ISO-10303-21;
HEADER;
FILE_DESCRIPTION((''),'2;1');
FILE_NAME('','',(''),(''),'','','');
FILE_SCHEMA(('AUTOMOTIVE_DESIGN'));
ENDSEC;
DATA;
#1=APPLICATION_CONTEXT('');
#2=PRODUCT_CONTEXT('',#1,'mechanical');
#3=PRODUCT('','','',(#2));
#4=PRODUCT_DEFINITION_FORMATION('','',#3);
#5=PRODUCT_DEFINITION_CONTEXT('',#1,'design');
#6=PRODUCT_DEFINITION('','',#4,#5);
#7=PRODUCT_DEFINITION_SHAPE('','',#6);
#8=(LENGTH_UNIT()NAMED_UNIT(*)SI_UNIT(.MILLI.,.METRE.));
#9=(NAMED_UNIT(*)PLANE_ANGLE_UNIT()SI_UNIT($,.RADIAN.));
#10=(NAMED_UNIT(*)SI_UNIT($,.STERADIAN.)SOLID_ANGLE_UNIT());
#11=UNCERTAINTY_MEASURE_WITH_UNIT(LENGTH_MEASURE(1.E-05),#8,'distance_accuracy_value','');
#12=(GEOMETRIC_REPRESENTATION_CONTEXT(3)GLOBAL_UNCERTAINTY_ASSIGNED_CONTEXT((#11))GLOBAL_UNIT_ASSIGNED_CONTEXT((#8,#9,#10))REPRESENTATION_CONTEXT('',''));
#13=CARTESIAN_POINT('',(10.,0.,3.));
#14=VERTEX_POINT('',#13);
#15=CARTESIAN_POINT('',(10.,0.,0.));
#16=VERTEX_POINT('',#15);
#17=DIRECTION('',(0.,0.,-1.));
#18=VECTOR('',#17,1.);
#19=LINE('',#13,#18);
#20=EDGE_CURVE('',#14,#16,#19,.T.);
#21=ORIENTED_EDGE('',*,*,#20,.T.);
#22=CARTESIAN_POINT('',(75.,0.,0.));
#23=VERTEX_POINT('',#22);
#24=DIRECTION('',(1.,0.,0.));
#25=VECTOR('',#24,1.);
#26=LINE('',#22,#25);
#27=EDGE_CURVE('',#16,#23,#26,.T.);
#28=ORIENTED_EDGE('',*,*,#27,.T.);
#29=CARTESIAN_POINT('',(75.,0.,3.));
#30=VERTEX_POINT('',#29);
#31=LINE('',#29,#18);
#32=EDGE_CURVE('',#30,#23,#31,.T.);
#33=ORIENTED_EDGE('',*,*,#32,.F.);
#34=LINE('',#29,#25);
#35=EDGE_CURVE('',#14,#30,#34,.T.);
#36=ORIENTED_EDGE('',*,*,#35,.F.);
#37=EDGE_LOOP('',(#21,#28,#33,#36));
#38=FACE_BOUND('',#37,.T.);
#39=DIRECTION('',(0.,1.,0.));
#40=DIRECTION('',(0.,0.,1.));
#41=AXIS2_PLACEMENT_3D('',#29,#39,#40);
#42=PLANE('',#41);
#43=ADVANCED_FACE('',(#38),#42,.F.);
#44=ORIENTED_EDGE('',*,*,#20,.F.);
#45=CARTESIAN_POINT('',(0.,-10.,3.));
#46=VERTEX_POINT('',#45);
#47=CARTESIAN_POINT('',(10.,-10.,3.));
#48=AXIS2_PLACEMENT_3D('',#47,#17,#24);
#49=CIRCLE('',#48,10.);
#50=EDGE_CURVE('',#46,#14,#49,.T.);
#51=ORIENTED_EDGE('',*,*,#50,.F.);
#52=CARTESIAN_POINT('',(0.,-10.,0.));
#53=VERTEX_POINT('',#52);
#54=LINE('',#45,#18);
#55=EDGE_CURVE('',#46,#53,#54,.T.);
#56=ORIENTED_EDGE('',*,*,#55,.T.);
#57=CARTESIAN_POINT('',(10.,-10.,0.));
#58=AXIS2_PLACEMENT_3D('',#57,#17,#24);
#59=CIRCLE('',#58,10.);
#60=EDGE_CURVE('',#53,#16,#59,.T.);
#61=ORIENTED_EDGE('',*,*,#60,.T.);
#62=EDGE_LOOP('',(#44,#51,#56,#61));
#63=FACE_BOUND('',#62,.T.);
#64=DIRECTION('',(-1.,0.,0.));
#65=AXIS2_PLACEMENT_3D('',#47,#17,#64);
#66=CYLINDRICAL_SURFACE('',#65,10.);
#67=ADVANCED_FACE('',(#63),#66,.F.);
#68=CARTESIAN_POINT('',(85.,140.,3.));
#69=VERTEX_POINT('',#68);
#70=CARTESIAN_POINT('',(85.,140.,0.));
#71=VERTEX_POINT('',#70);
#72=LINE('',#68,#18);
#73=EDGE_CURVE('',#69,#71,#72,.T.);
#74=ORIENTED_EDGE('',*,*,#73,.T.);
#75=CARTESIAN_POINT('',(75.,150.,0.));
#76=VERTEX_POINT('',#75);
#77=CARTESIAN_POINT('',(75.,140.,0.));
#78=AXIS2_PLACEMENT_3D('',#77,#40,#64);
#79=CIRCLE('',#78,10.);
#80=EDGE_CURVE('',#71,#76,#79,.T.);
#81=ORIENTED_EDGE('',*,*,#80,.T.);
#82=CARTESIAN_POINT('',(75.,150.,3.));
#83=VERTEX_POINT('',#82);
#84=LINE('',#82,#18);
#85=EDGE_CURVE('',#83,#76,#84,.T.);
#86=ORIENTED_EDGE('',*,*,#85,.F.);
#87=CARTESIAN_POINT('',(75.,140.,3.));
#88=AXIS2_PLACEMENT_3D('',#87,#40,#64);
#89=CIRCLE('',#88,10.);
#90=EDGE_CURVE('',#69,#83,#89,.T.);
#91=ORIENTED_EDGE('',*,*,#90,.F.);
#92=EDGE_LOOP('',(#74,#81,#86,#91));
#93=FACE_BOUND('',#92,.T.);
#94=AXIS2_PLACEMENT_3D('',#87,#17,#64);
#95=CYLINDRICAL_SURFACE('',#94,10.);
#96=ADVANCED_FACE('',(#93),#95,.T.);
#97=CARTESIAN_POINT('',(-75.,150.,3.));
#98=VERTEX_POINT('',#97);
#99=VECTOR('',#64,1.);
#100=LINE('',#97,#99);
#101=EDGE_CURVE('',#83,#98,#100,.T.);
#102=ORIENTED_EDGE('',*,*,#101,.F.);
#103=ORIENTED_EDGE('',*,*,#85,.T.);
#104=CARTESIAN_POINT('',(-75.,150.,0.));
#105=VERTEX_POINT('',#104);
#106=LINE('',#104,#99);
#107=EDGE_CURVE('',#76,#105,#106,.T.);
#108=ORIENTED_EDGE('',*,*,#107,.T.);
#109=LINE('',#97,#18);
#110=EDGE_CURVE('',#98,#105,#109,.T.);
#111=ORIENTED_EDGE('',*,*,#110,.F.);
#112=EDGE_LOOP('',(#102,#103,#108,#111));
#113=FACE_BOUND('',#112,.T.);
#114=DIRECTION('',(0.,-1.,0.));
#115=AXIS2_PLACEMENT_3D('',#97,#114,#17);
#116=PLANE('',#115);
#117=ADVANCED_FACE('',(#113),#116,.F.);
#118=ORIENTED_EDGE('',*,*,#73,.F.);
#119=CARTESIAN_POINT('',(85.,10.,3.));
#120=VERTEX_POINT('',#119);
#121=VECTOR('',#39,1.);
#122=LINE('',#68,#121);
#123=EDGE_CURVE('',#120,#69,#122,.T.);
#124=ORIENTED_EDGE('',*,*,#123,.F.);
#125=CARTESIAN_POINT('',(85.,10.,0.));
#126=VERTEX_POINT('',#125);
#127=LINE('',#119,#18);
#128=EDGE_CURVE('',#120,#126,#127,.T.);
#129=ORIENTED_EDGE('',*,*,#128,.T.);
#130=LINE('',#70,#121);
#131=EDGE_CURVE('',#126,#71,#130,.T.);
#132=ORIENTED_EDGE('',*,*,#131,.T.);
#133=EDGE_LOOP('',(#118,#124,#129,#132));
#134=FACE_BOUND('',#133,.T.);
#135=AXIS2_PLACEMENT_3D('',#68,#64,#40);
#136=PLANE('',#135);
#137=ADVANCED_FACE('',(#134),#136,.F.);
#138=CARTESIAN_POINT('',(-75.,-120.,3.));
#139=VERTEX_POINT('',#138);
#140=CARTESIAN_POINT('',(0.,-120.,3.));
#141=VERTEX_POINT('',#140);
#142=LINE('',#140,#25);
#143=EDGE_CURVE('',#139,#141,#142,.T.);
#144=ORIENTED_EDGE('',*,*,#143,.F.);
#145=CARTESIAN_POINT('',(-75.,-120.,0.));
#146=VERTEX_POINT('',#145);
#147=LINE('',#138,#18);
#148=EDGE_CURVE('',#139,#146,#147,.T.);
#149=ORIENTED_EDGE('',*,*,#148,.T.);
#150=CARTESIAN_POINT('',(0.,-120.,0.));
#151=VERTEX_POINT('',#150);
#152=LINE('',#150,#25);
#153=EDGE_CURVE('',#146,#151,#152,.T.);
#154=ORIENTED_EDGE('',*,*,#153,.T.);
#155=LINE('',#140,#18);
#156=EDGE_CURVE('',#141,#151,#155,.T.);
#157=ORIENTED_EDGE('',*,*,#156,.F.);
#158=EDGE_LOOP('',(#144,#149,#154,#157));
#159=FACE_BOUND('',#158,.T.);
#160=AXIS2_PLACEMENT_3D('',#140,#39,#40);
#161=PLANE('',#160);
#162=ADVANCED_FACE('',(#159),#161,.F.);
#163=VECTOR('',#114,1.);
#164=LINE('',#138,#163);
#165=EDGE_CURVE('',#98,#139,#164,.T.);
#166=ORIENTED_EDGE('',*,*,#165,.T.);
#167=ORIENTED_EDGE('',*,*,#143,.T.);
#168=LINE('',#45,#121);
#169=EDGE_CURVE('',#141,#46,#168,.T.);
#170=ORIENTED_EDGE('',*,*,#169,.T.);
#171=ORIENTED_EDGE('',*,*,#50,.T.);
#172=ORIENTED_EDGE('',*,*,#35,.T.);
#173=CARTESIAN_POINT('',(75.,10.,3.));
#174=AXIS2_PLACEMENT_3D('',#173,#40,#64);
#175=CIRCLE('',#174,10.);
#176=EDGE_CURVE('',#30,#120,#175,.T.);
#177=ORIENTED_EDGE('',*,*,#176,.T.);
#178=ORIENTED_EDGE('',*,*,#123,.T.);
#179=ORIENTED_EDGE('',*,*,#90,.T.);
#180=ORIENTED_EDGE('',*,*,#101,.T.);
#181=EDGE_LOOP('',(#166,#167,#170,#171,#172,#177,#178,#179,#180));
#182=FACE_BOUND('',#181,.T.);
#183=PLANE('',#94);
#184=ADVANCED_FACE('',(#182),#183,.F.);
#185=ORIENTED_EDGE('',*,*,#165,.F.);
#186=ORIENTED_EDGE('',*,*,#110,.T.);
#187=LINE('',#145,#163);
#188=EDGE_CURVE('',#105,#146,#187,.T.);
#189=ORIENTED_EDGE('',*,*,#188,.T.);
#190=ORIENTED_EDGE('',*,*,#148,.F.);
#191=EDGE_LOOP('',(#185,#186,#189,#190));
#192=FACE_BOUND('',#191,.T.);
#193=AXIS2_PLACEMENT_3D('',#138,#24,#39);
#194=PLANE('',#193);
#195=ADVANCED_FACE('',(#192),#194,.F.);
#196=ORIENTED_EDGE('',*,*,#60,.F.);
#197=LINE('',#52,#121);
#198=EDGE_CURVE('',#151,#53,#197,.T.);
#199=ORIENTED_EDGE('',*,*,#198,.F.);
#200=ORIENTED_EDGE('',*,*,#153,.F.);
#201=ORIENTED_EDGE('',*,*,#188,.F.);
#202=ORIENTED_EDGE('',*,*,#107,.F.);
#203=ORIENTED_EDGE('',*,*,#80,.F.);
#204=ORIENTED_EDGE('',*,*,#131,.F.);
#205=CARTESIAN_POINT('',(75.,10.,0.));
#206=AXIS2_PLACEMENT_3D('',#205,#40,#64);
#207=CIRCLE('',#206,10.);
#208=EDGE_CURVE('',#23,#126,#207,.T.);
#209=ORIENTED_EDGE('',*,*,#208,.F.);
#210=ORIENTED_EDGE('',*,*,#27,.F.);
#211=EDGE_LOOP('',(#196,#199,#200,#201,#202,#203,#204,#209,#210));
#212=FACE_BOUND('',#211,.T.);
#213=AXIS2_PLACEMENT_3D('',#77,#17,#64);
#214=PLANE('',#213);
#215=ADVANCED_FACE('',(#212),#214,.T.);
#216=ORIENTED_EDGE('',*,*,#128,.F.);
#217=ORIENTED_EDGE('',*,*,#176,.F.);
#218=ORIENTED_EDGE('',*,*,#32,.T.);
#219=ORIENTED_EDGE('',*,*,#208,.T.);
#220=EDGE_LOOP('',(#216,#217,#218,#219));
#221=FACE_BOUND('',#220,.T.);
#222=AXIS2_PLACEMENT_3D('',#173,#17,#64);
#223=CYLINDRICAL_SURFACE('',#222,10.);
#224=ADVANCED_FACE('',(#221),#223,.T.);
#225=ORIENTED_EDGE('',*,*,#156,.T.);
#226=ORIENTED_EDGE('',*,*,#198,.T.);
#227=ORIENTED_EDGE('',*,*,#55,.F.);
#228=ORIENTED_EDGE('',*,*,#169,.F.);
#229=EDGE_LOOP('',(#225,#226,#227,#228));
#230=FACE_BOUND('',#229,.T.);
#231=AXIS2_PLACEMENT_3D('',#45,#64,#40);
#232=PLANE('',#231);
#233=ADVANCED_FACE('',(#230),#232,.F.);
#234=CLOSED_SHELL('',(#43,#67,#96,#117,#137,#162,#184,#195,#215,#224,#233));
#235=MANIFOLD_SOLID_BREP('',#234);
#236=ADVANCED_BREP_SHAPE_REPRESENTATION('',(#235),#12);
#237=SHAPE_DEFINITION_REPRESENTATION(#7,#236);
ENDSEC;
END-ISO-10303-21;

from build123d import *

# Parameters (mm, degrees)
BOSS_EXTRUDE1_DEPTH = 3


with BuildPart() as part:
    # Sketch1 → Boss-Extrude1 (new body)
    with BuildSketch(Plane.XY):
        with BuildLine():
            Line((-75, -120), (-75, 150))
            Line((-75, 150), (75, 150))
            ThreePointArc((75, 150), (82.071067812, 147.071067812), (85, 140))
            Line((85, 140), (85, 10))
            ThreePointArc((85, 10), (82.071067812, 2.928932188), (75, 0))
            Line((75, 0), (10, 0))
            ThreePointArc((10, 0), (2.928932188, -2.928932188), (0, -10))
            Line((0, -10), (0, -120))
            Line((0, -120), (-75, -120))
        make_face()
    extrude(amount=BOSS_EXTRUDE1_DEPTH)


solid = part.part
